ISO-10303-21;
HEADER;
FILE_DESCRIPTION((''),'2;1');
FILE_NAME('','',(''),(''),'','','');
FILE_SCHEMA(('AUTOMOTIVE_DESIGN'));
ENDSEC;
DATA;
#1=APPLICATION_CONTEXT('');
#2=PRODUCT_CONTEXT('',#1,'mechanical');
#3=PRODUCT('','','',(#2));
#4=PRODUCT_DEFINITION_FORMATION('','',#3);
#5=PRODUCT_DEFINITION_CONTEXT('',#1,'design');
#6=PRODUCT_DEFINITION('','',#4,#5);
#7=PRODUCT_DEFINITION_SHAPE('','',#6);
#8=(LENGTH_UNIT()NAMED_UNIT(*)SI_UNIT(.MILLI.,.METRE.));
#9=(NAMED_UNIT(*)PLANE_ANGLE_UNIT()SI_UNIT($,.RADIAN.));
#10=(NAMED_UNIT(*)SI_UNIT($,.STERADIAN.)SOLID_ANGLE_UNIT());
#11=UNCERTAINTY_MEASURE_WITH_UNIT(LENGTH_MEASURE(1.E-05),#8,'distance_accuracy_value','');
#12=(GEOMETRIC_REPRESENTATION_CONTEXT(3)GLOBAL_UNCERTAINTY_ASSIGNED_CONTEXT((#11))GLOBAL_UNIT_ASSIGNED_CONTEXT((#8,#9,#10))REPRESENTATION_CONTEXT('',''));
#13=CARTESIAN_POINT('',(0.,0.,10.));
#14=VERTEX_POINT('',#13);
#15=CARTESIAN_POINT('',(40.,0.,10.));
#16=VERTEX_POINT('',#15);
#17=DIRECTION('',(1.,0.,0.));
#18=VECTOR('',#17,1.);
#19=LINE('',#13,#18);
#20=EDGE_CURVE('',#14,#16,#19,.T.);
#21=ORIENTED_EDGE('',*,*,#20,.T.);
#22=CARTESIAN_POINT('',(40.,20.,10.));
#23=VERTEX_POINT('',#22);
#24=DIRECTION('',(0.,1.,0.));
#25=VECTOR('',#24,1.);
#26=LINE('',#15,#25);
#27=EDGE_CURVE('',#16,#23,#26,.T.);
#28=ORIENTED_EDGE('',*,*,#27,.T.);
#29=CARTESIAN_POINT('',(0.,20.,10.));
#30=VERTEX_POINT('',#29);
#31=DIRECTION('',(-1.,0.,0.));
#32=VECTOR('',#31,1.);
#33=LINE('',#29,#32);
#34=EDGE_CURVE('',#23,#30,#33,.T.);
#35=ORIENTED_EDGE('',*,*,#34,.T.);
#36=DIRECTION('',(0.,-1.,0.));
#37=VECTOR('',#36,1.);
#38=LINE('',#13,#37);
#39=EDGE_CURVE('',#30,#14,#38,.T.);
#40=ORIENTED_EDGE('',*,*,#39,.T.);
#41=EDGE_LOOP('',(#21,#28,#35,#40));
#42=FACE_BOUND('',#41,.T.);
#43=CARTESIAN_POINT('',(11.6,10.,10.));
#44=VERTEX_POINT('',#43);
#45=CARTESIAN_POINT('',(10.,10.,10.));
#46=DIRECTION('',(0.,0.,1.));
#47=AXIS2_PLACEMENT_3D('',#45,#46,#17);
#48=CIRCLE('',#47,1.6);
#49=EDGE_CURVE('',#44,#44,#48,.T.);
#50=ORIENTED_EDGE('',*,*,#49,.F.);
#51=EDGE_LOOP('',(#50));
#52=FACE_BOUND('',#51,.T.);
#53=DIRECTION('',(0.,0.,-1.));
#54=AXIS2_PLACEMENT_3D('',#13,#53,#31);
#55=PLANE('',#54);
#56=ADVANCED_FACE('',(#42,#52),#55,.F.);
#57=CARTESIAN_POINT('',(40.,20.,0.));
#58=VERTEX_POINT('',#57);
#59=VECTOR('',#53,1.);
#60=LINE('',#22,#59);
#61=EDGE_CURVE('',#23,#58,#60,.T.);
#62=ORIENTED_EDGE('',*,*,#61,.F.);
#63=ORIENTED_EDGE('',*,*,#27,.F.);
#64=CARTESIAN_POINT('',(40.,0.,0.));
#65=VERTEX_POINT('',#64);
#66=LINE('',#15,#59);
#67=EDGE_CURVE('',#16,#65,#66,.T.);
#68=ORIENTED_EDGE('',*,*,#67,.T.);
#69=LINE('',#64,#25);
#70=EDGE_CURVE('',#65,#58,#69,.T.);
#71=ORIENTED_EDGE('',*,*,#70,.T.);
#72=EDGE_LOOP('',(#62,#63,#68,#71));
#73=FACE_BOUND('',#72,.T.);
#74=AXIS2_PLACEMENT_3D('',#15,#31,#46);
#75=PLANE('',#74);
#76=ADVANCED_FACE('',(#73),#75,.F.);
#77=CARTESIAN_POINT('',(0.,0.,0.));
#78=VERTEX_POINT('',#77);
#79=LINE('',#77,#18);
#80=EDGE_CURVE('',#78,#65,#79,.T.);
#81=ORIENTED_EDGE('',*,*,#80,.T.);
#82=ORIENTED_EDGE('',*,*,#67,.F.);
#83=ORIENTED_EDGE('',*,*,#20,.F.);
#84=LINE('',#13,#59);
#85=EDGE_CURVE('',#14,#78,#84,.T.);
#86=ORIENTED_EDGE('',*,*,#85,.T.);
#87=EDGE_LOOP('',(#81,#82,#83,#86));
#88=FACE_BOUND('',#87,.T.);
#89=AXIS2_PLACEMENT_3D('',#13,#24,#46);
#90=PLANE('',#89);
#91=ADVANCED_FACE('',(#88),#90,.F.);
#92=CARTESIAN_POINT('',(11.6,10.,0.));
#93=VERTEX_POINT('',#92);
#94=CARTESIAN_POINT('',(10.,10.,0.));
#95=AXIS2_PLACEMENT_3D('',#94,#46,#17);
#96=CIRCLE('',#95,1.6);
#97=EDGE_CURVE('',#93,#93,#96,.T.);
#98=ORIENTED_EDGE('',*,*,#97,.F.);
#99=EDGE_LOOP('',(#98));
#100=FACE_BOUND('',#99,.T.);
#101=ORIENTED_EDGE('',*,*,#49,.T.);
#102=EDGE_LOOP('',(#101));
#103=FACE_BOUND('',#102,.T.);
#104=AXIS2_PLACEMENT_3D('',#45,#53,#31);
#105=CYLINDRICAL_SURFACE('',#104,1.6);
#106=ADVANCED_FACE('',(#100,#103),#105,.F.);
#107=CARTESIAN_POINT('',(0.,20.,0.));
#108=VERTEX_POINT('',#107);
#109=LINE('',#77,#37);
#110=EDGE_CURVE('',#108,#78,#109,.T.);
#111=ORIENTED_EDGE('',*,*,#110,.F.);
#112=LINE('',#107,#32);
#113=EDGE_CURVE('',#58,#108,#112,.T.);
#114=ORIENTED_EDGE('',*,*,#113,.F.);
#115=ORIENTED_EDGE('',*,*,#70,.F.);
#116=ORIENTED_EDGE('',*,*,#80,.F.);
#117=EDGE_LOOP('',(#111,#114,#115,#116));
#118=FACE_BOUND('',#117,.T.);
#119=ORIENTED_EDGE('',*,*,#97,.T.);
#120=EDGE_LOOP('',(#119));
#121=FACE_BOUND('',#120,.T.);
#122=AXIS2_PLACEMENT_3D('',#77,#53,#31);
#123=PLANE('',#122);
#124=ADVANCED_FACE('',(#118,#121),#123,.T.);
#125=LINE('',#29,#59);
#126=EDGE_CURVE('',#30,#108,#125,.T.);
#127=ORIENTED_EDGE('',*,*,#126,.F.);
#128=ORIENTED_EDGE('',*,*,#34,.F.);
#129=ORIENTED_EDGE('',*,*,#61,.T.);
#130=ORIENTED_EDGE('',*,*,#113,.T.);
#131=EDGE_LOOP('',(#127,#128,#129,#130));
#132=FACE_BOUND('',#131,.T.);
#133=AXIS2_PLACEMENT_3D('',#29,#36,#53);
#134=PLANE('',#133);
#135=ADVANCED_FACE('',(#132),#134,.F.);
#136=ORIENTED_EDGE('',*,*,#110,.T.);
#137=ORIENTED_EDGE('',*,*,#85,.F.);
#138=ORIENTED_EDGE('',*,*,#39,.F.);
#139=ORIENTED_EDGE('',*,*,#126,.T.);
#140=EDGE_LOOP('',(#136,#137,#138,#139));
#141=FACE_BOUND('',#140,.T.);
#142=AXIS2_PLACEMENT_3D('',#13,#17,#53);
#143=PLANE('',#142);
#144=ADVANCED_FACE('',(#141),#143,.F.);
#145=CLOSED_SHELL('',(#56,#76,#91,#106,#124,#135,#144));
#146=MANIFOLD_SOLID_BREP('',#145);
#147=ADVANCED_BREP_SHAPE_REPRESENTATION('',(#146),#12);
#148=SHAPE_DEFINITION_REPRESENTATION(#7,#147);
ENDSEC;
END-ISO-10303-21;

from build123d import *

# Parameters (mm, degrees)
SKETCH_1_W      = 40
SKETCH_1_H      = 20
SKETCH_1_R      = 1.6
EXTRUDE_1_DEPTH = 10


with BuildPart() as part:
    # 草图1 → 凸台-拉伸1 (new body)
    with BuildSketch(Plane.XY):
        with Locations((20, 10)):
            Rectangle(SKETCH_1_W, SKETCH_1_H)
        with Locations((10, 10)):
            Circle(SKETCH_1_R, mode=Mode.SUBTRACT)
    extrude(amount=EXTRUDE_1_DEPTH)


solid = part.part
